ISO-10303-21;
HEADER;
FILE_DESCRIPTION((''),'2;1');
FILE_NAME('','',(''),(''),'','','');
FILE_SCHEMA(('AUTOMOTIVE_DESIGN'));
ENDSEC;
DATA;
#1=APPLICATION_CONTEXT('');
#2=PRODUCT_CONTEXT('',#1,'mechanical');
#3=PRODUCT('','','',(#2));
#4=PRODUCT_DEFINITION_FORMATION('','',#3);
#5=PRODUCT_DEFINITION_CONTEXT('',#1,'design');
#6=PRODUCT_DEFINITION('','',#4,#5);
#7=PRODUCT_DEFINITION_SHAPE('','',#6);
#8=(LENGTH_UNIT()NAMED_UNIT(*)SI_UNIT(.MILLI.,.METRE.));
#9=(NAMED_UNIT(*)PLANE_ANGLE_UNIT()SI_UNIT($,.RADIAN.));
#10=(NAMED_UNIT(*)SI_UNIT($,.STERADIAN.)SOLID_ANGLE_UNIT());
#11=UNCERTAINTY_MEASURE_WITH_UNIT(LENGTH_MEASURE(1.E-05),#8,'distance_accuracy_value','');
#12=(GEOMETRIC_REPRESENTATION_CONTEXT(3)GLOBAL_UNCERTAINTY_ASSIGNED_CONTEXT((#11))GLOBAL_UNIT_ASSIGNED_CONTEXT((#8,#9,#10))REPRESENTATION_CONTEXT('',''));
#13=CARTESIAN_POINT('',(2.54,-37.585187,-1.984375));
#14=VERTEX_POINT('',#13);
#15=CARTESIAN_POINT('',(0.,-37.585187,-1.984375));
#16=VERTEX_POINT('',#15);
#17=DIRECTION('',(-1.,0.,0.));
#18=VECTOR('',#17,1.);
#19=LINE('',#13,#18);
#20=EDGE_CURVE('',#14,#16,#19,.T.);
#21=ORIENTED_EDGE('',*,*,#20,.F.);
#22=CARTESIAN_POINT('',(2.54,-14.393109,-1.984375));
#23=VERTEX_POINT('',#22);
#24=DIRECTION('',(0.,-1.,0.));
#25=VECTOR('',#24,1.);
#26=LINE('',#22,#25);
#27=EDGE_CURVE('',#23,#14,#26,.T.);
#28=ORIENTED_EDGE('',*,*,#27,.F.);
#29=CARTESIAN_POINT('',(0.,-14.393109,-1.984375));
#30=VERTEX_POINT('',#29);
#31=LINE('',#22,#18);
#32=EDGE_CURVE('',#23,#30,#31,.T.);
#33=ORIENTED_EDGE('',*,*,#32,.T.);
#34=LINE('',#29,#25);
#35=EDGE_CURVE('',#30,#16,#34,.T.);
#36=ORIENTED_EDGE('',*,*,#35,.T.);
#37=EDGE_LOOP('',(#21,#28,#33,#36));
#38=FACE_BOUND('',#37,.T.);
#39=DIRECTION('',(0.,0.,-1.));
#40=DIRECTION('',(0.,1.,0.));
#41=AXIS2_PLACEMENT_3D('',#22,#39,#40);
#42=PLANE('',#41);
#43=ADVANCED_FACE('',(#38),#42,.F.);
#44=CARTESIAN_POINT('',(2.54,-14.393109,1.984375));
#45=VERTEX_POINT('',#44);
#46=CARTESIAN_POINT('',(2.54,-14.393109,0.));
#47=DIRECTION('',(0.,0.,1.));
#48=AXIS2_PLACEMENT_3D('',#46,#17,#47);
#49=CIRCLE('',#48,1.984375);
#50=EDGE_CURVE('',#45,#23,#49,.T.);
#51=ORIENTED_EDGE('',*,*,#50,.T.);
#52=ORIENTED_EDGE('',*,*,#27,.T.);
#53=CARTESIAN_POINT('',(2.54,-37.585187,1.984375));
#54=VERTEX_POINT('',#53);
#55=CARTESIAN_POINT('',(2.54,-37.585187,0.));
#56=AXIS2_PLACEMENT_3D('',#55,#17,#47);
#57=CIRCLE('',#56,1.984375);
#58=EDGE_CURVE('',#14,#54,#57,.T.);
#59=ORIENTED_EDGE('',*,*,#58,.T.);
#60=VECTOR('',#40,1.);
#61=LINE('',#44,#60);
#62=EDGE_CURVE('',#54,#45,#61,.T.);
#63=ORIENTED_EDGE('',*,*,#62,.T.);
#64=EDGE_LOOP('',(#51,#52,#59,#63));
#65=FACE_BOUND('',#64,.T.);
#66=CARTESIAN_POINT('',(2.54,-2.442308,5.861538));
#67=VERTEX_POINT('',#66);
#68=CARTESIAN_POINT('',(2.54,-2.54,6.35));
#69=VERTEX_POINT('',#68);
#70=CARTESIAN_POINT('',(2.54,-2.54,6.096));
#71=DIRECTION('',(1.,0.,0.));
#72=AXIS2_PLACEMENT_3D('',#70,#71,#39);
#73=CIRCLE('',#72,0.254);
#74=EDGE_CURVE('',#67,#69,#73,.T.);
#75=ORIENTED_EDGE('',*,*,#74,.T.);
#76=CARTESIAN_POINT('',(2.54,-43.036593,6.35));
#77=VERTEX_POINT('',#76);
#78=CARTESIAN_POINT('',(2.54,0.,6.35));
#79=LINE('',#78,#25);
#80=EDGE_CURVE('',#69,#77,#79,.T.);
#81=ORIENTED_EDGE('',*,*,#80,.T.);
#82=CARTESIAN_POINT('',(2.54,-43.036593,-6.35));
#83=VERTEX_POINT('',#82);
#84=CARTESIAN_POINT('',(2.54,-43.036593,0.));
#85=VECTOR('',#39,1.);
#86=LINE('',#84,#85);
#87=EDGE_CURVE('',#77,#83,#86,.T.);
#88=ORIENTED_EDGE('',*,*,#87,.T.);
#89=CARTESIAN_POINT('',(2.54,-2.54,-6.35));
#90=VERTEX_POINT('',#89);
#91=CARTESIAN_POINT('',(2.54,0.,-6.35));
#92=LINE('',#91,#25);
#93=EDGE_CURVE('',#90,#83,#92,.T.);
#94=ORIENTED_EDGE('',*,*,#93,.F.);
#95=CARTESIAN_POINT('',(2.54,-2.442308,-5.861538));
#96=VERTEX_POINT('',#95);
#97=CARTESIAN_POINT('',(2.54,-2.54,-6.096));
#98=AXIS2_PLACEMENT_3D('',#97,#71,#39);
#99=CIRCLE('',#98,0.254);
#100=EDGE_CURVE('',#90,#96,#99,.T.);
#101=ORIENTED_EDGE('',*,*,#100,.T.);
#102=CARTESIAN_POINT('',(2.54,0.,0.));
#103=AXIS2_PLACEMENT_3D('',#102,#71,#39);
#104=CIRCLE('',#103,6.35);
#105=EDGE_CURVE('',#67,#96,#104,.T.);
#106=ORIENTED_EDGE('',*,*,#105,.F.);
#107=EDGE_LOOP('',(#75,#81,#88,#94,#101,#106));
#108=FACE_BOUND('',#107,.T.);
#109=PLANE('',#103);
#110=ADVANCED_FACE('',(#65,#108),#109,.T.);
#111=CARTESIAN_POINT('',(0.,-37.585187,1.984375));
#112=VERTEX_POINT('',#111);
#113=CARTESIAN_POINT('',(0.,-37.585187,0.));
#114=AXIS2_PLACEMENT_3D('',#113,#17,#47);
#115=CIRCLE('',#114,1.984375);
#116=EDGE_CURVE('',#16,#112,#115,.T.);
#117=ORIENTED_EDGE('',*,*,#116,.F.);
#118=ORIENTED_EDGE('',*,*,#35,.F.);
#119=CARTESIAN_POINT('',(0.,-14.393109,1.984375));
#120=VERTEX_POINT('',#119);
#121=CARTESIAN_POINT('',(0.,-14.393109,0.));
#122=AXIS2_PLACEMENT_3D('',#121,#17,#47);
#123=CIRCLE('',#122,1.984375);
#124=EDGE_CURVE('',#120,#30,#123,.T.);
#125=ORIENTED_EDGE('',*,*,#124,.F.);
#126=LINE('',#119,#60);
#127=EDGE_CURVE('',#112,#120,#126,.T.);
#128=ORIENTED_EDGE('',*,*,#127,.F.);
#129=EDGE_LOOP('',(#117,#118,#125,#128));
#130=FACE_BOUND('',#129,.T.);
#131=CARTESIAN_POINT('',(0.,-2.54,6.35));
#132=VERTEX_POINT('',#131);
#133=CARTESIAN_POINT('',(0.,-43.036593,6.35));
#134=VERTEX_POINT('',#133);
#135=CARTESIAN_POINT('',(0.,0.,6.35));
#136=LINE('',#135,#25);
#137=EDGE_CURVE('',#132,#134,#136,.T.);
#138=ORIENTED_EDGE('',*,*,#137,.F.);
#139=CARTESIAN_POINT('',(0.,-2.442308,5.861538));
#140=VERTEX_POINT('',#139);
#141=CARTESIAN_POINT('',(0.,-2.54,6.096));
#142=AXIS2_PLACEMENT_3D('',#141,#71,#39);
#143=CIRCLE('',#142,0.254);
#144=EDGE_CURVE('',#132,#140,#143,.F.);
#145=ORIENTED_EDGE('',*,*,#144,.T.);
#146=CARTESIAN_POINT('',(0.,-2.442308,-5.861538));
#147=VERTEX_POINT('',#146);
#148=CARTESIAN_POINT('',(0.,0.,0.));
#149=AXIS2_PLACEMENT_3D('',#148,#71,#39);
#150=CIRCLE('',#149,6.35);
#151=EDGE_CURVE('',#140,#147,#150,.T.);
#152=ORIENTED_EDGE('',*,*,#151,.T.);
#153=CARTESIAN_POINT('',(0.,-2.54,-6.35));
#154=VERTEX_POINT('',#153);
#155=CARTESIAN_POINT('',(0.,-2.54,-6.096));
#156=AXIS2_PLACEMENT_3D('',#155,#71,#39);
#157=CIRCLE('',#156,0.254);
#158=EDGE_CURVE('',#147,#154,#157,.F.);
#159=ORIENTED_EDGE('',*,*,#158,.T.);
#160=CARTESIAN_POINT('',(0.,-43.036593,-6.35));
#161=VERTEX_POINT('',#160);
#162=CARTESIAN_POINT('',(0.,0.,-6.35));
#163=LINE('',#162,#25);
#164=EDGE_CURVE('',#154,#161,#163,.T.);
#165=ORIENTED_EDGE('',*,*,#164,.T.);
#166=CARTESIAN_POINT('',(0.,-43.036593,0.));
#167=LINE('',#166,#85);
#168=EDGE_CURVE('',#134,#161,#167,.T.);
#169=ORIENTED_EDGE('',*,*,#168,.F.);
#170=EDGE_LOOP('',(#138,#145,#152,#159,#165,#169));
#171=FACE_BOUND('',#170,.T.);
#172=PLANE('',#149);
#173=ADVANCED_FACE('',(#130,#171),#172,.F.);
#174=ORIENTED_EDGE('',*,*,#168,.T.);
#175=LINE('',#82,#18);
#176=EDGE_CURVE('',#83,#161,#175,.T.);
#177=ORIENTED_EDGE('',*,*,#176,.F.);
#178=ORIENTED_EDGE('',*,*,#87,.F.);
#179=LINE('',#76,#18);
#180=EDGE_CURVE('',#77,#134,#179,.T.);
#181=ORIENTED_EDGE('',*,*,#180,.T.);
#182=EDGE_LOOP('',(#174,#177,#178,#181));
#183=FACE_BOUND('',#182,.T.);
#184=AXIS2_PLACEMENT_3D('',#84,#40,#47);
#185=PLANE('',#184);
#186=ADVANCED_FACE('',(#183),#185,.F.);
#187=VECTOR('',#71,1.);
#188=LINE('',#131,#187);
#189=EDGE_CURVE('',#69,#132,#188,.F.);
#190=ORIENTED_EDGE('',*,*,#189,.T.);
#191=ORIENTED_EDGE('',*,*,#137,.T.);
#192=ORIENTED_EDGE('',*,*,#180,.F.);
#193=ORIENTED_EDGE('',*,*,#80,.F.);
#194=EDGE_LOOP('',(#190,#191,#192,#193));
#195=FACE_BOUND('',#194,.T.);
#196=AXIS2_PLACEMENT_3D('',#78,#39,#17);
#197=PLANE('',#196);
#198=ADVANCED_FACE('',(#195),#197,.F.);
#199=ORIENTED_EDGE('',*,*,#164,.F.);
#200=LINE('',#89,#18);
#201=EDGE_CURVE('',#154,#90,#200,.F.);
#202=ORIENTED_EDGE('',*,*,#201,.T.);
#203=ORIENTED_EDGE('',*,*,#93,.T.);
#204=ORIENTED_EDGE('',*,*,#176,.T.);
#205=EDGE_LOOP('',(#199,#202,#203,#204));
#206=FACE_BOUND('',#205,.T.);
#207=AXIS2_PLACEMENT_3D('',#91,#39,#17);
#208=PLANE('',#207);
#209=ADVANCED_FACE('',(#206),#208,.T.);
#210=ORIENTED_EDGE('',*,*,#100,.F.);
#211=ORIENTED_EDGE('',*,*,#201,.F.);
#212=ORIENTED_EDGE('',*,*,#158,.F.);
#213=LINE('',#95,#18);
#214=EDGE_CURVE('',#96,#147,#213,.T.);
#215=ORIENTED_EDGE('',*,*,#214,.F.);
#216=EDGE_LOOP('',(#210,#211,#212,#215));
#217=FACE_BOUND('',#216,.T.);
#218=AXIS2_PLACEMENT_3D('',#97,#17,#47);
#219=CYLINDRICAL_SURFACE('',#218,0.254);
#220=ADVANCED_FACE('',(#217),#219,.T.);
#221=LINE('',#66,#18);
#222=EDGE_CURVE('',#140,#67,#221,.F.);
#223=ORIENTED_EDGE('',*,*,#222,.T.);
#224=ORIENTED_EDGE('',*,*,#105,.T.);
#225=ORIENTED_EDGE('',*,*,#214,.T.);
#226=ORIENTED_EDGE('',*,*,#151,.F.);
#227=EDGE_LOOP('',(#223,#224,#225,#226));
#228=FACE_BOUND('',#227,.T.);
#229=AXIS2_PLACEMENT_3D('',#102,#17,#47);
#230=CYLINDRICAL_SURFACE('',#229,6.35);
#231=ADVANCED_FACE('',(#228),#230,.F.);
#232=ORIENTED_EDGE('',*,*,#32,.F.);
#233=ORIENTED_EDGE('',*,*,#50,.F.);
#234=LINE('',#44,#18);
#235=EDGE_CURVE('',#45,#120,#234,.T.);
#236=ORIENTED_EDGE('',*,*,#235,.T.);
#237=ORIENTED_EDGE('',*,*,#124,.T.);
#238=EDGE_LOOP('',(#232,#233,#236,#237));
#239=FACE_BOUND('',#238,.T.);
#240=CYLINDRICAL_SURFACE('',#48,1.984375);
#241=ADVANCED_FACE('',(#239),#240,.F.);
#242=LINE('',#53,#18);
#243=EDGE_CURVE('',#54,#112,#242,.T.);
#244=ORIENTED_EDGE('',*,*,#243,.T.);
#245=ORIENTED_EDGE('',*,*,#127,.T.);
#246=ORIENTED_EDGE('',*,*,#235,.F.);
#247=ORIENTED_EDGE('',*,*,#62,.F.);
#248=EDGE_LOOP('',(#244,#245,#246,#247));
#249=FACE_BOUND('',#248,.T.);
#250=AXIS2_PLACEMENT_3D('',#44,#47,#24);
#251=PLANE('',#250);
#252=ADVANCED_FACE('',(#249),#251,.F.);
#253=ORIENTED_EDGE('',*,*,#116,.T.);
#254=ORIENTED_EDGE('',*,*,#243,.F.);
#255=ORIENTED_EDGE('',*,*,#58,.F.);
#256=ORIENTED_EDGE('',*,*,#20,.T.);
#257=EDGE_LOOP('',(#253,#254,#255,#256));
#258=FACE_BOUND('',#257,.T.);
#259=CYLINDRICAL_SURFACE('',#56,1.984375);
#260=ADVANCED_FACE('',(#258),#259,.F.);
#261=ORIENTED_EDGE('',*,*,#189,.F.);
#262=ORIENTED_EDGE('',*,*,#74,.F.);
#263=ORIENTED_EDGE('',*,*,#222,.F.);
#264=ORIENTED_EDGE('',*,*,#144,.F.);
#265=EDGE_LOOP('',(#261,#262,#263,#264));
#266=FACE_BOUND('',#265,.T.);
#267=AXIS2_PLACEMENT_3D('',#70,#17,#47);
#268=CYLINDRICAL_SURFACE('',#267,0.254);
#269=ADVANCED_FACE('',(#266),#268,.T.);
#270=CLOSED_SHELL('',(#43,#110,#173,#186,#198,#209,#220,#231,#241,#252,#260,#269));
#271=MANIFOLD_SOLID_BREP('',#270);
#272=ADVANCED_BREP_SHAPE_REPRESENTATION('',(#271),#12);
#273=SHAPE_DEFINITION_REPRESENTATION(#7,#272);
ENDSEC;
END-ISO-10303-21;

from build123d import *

# Parameters (mm, degrees)
BOSS_EXTRUDE1_DEPTH = 2.54
FILLET1_R           = 0.254
CUT_EXTRUDE1_DEPTH  = 2.54


with BuildPart() as part:
    # Sketch1 → Boss-Extrude1 (new body)
    with BuildSketch(Plane(origin=(0, 0, 0), x_dir=(0, 0, -1), z_dir=(1, 0, 0))):
        with BuildLine():
            ThreePointArc((6.35, 0), (0, -6.35), (-6.35, 0))
            Line((-6.35, 0), (-6.35, -43.036593364))
            Line((-6.35, -43.036593364), (6.35, -43.036593364))
            Line((6.35, -43.036593364), (6.35, 0))
        make_face()
    extrude(amount=BOSS_EXTRUDE1_DEPTH)

    # Fillet1
    fillet1_edges = [part.edges().sort_by_distance(p)[0] for p in [
        (1.27, 0, -6.35),
        (1.27, 0, 6.35),
    ]]
    fillet(fillet1_edges, radius=FILLET1_R)

    # Sketch2 → Cut-Extrude1 (cut)
    with BuildSketch(Plane.ZY):
        with BuildLine():
            Line((1.984375, -14.393108905), (1.984375, -37.585187193))
            ThreePointArc((1.984375, -37.585187193), (0, -39.569562193), (-1.984375, -37.585187193))
            Line((-1.984375, -37.585187193), (-1.984375, -14.393108905))
            ThreePointArc((-1.984375, -14.393108905), (0, -12.408733905), (1.984375, -14.393108905))
        make_face()
    extrude(amount=-CUT_EXTRUDE1_DEPTH, mode=Mode.SUBTRACT)


solid = part.part
